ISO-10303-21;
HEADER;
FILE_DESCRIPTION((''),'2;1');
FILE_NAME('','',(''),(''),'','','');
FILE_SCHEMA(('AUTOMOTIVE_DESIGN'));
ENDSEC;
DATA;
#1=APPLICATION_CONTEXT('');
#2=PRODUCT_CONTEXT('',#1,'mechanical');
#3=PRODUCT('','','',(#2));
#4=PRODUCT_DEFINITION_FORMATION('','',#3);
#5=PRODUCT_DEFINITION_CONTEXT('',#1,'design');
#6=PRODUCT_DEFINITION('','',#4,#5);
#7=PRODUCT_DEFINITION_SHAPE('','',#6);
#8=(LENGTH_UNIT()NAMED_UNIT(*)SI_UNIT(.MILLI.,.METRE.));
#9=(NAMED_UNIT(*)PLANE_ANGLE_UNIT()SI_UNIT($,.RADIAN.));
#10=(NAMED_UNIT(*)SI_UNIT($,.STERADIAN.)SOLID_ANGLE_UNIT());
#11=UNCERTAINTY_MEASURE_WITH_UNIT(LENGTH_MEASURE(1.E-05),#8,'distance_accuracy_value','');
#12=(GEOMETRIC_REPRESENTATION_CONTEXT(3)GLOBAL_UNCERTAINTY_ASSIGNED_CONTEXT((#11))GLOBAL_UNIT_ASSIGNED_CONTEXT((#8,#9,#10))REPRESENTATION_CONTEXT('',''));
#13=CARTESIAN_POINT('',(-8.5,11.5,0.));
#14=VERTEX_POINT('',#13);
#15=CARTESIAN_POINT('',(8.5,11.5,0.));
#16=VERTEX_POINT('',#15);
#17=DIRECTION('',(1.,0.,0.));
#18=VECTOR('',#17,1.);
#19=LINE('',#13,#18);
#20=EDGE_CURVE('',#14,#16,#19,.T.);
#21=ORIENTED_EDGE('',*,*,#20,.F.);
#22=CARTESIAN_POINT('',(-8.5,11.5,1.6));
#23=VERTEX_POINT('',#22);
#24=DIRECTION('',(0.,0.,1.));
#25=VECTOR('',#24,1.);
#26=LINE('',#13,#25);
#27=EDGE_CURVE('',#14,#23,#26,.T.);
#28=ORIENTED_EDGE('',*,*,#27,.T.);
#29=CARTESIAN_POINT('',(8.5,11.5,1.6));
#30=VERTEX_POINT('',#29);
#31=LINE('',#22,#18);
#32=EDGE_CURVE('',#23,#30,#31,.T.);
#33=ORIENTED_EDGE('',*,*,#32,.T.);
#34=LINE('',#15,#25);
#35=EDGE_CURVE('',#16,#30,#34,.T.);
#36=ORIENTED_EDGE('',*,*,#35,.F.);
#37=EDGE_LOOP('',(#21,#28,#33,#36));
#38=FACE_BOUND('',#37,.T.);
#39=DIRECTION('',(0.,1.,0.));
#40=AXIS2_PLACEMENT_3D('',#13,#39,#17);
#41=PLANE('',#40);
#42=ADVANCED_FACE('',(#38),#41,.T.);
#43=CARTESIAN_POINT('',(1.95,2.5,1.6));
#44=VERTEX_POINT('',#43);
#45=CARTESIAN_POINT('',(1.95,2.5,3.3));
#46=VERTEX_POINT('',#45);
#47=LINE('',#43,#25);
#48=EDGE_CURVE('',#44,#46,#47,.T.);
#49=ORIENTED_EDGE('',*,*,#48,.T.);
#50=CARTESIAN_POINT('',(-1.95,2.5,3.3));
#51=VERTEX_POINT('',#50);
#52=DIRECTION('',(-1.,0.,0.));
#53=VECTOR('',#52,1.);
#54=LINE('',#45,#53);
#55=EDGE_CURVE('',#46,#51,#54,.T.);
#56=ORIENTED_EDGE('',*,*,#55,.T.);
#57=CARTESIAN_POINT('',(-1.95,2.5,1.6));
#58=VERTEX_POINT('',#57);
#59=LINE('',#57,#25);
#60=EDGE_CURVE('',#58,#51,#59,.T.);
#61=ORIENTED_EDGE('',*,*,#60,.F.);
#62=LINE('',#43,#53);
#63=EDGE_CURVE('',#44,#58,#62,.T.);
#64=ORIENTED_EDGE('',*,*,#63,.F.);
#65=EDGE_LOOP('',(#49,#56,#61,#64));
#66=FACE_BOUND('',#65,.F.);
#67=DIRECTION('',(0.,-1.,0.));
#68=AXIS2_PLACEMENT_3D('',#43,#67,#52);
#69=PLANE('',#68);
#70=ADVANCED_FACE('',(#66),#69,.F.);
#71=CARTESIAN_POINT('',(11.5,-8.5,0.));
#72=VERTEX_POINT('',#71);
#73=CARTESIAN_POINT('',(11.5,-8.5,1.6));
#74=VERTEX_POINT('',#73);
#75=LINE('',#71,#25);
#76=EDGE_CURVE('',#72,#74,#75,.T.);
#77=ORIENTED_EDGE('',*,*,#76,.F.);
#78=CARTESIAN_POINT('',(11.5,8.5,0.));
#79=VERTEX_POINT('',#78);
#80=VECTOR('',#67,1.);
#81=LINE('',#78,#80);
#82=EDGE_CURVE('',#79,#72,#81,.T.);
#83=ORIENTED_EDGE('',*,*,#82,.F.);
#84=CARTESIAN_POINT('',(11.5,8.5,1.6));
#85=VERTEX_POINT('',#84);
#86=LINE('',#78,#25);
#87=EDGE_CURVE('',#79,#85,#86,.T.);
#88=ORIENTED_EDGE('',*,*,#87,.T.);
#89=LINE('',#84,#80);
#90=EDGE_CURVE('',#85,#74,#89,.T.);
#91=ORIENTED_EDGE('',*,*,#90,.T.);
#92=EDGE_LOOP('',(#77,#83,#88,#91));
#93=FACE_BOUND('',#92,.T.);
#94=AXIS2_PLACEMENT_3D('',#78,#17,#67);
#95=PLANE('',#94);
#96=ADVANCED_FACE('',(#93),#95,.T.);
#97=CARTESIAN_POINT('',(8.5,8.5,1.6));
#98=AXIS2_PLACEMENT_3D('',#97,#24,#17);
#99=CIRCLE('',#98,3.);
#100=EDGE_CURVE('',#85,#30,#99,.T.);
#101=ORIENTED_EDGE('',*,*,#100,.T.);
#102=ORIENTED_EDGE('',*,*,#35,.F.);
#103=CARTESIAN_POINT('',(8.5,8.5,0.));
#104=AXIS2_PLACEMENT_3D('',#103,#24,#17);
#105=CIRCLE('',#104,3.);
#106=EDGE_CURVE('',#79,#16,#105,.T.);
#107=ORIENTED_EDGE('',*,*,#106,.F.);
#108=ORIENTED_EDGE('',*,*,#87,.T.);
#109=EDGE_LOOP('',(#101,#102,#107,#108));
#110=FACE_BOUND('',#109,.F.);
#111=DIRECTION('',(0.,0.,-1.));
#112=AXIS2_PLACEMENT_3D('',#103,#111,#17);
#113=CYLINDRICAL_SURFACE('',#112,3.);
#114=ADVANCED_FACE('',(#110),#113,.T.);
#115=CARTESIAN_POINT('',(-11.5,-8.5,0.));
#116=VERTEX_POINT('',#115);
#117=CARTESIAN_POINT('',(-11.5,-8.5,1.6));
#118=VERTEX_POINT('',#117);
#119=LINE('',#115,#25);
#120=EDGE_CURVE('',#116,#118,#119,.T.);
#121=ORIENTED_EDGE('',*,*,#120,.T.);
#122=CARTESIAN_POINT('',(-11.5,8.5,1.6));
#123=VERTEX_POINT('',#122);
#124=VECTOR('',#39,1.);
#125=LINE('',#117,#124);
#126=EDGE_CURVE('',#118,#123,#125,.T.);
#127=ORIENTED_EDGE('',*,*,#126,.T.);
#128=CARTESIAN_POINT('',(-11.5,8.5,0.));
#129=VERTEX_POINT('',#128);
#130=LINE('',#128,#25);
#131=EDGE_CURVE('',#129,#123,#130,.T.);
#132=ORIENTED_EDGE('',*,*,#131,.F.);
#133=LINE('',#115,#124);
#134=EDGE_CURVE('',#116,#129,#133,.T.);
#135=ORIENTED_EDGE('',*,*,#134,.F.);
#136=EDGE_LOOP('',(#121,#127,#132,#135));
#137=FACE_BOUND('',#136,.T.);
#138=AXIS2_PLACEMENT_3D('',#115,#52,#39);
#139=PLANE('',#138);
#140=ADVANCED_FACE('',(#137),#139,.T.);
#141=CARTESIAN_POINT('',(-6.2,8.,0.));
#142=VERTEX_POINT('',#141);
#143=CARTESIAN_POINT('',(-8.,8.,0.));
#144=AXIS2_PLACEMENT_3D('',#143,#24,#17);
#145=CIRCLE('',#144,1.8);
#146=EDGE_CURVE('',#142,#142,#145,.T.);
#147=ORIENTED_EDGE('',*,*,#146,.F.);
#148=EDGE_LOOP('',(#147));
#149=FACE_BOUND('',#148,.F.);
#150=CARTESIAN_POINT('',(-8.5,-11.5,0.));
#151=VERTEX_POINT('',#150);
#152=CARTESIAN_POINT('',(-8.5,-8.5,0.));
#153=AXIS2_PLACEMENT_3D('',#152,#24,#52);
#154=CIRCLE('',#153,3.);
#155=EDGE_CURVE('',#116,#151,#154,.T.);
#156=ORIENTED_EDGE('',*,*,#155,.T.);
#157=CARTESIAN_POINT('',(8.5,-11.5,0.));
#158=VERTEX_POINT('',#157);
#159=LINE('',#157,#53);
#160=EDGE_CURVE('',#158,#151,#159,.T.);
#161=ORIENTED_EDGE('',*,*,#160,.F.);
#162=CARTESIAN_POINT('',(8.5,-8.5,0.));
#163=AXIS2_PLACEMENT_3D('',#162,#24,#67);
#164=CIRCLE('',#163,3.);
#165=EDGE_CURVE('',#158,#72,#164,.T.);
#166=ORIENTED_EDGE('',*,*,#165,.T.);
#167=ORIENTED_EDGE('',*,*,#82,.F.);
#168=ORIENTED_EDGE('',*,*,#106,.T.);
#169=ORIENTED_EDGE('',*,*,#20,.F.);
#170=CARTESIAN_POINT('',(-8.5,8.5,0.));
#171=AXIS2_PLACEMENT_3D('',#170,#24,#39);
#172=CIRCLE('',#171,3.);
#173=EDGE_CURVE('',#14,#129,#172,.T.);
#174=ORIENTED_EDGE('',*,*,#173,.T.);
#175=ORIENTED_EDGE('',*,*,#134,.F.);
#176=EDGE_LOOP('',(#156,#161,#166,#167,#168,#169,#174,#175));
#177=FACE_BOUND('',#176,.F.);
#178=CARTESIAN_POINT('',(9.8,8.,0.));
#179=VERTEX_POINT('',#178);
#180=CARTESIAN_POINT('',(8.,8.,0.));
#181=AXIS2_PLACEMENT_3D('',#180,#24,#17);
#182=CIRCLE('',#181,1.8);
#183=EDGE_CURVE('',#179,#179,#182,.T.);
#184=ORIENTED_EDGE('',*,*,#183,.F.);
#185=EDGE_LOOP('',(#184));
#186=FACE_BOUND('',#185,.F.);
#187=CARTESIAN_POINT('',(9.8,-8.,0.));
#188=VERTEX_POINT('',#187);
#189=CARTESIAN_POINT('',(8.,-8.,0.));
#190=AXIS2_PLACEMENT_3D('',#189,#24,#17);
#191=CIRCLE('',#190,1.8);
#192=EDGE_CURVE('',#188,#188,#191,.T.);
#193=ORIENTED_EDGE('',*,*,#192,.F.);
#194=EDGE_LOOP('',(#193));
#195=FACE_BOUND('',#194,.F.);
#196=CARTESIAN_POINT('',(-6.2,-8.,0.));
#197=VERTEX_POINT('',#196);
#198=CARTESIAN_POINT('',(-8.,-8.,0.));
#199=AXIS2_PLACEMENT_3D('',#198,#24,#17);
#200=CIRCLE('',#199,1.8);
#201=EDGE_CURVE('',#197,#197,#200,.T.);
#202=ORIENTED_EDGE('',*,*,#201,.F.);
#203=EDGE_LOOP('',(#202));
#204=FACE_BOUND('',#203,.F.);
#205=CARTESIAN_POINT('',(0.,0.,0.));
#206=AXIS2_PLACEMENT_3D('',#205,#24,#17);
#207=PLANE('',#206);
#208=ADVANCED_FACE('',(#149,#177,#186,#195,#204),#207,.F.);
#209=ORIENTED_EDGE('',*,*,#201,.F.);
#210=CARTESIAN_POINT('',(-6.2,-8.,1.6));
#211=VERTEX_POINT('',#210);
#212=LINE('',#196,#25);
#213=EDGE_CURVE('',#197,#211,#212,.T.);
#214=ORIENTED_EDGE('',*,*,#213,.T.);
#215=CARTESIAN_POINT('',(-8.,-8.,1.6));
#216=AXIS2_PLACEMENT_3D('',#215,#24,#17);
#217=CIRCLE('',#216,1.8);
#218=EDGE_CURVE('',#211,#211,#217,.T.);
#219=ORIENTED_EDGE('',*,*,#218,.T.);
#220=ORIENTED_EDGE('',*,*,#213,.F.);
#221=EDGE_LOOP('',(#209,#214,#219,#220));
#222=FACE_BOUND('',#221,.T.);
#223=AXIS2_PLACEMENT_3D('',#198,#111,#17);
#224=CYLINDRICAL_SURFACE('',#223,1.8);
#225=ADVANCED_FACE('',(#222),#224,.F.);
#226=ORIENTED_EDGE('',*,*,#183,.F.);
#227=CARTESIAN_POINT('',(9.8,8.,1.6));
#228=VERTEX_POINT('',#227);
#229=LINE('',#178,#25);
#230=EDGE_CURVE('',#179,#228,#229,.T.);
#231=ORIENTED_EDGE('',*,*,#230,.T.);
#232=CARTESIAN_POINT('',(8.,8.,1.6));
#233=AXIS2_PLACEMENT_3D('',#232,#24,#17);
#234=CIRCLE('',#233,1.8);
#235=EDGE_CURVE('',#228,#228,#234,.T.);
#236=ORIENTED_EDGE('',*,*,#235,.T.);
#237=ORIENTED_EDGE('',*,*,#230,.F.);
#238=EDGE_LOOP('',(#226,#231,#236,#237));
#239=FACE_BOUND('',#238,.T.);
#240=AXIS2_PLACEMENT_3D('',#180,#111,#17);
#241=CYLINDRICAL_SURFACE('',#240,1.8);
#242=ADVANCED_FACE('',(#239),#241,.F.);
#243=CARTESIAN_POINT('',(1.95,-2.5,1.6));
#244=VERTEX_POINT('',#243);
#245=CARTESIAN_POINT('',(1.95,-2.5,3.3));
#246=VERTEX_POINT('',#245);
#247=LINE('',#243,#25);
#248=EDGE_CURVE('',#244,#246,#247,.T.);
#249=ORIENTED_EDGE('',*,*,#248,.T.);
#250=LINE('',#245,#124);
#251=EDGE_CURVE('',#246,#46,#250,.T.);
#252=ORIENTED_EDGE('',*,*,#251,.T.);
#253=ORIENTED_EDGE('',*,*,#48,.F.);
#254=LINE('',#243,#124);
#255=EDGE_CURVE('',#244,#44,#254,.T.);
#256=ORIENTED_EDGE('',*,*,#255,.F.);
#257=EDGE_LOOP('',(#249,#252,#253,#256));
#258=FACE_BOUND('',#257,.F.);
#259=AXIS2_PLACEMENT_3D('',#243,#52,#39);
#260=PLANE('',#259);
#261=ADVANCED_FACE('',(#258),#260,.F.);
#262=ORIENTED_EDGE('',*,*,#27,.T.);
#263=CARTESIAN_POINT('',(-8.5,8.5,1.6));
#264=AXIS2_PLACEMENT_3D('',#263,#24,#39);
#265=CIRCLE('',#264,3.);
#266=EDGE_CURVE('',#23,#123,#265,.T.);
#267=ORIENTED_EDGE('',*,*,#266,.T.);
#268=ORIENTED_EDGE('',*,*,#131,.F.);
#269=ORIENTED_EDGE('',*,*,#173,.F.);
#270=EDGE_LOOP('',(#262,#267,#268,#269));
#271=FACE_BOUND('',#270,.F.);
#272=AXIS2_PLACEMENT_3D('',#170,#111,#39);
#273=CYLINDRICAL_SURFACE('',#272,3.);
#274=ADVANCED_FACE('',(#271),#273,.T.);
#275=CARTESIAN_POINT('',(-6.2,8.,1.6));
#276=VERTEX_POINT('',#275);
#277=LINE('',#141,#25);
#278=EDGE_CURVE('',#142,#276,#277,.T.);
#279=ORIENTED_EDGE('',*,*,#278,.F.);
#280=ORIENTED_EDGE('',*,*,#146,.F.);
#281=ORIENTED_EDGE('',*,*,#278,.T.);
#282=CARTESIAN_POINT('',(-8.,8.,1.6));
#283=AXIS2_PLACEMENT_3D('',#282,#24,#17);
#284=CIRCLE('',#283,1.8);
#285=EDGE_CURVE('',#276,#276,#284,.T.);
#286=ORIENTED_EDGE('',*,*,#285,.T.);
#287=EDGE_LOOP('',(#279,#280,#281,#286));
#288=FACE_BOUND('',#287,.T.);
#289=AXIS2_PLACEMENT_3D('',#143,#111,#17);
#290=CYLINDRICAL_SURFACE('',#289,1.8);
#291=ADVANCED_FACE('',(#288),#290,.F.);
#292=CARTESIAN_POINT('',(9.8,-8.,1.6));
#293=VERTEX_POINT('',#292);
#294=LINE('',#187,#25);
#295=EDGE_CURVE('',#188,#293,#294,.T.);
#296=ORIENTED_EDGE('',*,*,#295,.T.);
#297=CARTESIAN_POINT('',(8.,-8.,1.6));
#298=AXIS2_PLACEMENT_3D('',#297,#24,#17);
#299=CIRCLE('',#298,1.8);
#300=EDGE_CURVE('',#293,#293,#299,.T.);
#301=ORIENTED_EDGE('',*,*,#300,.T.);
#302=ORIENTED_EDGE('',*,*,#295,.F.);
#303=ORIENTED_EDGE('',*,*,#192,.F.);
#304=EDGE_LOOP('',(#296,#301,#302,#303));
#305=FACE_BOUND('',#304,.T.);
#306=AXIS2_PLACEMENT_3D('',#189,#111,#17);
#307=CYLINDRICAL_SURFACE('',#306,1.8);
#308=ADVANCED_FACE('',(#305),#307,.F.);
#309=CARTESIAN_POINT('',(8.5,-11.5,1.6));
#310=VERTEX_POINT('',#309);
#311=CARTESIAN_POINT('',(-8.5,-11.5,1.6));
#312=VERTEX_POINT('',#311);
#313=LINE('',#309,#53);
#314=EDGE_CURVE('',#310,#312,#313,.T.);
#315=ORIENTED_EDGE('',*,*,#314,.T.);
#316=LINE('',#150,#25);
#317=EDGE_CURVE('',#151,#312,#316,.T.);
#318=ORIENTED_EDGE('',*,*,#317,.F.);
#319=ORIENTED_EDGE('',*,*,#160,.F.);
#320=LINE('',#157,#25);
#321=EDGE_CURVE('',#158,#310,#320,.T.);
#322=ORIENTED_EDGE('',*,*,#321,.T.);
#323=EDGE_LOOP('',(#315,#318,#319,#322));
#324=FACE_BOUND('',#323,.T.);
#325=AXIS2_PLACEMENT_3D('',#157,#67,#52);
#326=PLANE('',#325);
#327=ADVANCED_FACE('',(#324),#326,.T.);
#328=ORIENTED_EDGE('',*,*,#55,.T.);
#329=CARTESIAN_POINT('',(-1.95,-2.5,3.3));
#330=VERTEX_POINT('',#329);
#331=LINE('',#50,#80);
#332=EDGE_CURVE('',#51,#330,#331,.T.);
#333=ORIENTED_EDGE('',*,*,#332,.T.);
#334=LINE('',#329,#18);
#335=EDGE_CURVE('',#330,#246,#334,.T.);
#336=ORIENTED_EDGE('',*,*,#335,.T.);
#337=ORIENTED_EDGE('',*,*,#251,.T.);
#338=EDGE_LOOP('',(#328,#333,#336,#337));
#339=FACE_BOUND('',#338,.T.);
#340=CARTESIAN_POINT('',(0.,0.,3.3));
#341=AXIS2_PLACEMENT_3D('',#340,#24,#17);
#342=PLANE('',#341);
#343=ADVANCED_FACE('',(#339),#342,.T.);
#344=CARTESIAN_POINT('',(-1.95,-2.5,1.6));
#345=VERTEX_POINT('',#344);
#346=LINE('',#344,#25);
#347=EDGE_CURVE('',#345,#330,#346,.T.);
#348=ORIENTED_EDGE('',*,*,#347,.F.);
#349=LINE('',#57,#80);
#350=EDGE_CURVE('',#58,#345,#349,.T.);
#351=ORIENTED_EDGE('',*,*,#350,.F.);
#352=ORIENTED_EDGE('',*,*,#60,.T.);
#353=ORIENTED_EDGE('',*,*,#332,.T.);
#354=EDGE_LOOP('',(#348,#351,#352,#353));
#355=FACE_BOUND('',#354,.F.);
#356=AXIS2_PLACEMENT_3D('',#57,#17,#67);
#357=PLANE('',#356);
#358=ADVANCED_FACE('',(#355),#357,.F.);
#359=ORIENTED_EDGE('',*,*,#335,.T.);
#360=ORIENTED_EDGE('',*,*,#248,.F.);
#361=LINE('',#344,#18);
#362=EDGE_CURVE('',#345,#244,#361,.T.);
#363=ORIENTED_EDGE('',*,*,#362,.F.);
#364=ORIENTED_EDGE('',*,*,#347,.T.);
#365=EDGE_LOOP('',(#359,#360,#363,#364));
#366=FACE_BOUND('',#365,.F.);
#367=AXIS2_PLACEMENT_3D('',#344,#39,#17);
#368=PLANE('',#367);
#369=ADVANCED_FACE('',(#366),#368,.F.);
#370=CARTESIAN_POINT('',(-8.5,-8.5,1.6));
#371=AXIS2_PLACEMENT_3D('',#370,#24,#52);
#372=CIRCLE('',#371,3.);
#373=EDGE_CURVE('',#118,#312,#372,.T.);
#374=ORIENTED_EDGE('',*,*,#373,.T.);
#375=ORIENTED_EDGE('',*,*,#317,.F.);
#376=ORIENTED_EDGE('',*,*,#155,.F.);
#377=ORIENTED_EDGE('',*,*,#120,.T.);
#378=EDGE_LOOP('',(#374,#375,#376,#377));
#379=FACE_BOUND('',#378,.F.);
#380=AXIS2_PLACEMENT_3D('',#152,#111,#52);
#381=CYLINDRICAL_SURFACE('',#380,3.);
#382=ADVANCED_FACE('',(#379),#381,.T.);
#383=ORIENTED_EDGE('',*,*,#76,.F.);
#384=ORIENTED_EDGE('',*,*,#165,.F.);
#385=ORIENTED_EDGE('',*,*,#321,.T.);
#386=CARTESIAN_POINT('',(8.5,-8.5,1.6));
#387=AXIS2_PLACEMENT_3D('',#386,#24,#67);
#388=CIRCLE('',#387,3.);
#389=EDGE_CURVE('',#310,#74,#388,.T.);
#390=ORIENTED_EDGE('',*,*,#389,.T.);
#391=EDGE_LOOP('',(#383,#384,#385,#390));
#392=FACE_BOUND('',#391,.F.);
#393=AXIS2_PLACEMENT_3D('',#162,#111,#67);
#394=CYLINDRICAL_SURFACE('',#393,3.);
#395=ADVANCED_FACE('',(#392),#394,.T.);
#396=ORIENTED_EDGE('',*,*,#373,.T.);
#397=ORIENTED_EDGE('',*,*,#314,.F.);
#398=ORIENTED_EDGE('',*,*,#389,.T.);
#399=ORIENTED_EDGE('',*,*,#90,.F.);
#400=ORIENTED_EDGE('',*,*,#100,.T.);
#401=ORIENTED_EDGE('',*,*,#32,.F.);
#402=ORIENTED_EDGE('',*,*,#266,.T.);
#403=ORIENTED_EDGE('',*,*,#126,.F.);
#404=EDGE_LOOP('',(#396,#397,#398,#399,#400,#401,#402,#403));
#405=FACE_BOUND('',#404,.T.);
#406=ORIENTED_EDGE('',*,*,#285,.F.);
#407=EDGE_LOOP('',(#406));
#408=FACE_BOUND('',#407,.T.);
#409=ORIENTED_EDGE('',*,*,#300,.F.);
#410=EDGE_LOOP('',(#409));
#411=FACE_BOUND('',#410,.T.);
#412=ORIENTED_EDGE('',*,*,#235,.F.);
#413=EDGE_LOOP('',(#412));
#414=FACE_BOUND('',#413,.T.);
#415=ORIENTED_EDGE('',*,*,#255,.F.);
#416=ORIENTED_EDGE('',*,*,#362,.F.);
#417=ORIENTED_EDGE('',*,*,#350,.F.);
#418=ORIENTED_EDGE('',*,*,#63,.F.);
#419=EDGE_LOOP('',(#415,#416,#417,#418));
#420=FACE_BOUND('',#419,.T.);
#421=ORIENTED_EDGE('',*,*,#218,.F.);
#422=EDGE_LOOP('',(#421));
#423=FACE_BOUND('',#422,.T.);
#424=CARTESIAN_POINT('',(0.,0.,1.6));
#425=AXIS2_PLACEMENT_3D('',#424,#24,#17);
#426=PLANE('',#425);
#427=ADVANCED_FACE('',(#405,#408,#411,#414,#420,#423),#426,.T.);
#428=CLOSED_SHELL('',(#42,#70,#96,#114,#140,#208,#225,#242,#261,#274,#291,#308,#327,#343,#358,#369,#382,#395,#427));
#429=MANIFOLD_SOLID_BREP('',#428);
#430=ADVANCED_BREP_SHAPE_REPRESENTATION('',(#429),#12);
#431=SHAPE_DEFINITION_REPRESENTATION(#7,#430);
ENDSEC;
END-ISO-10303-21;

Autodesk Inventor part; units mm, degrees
ref_plane "YZ Plane" through (0, 0, 0) normal (1, 0, 0) x (0, 1, 0)
ref_plane "XZ Plane" through (0, 0, 0) normal (0, 1, 0) x (-1, 0, 0)
ref_plane "XY Plane" through (0, 0, 0) normal (0, 0, 1) x (1, 0, 0)
sketch "Эскиз1" plane through (0, 0, 0) normal (0, 0, 1) x (1, 0, 0)
  line L0 (8.5, -11.5) -> (-8.5, -11.5)
  line L1 (-11.5, -8.5) -> (-11.5, 8.5)
  line L2 (-8.5, 11.5) -> (8.5, 11.5)
  line L3 (11.5, 8.5) -> (11.5, -8.5)
  line L4 (11.5, -11.5) -> (-11.5, 11.5) construction
  line L5 (-11.5, -11.5) -> (11.5, 11.5) construction
  line L6 (8, -8) -> (-8, -8) construction
  line L7 (-8, -8) -> (-8, 8) construction
  line L8 (-8, 8) -> (8, 8) construction
  line L9 (8, 8) -> (8, -8) construction
  line L10 (8, -8) -> (-8, 8) construction
  line L11 (-8, -8) -> (8, 8) construction
  circle A0 centre (-8, 8) radius 1.8
  circle A1 centre (8, 8) radius 1.8
  circle A2 centre (-8, -8) radius 1.8
  circle A3 centre (8, -8) radius 1.8
  arc A4 (-8.5, 11.5) -> (-11.5, 8.5) centre (-8.5, 8.5) ccw
  arc A5 (11.5, 8.5) -> (8.5, 11.5) centre (8.5, 8.5) ccw
  arc A6 (8.5, -11.5) -> (11.5, -8.5) centre (8.5, -8.5) ccw
  arc A7 (-11.5, -8.5) -> (-8.5, -11.5) centre (-8.5, -8.5) ccw
  point P0 (0, 0)
  dimension "d0" = 23
  dimension "d1" = 23
  dimension "d2" = 16
  dimension "d3" = 16
  dimension "d4" = 3.6
  dimension "d5" = 3.6
  dimension "d6" = 3.6
  dimension "d7" = 3.6
  dimension "d8" = 3
extrude "Выдавливание1" add sketch "Эскиз1" along normal blind 1.6
sketch "Эскиз2" plane through (0, 0, 1.6) normal (0, 0, 1) x (1, 0, 0)
  line L0 (-1.95, -2.5) -> (1.95, -2.5)
  line L1 (1.95, -2.5) -> (1.95, 2.5)
  line L2 (1.95, 2.5) -> (-1.95, 2.5)
  line L3 (-1.95, 2.5) -> (-1.95, -2.5)
  line L4 (-1.95, -2.5) -> (1.95, 2.5) construction
  line L5 (1.95, -2.5) -> (-1.95, 2.5) construction
  point P0 (0, 0)
  dimension "d11" = 3.9
  dimension "d12" = 5
extrude "Выдавливание2" add sketch "Эскиз2" along normal blind 1.7
equation "\"d3\" = d2"
properties part number "AS5600"
